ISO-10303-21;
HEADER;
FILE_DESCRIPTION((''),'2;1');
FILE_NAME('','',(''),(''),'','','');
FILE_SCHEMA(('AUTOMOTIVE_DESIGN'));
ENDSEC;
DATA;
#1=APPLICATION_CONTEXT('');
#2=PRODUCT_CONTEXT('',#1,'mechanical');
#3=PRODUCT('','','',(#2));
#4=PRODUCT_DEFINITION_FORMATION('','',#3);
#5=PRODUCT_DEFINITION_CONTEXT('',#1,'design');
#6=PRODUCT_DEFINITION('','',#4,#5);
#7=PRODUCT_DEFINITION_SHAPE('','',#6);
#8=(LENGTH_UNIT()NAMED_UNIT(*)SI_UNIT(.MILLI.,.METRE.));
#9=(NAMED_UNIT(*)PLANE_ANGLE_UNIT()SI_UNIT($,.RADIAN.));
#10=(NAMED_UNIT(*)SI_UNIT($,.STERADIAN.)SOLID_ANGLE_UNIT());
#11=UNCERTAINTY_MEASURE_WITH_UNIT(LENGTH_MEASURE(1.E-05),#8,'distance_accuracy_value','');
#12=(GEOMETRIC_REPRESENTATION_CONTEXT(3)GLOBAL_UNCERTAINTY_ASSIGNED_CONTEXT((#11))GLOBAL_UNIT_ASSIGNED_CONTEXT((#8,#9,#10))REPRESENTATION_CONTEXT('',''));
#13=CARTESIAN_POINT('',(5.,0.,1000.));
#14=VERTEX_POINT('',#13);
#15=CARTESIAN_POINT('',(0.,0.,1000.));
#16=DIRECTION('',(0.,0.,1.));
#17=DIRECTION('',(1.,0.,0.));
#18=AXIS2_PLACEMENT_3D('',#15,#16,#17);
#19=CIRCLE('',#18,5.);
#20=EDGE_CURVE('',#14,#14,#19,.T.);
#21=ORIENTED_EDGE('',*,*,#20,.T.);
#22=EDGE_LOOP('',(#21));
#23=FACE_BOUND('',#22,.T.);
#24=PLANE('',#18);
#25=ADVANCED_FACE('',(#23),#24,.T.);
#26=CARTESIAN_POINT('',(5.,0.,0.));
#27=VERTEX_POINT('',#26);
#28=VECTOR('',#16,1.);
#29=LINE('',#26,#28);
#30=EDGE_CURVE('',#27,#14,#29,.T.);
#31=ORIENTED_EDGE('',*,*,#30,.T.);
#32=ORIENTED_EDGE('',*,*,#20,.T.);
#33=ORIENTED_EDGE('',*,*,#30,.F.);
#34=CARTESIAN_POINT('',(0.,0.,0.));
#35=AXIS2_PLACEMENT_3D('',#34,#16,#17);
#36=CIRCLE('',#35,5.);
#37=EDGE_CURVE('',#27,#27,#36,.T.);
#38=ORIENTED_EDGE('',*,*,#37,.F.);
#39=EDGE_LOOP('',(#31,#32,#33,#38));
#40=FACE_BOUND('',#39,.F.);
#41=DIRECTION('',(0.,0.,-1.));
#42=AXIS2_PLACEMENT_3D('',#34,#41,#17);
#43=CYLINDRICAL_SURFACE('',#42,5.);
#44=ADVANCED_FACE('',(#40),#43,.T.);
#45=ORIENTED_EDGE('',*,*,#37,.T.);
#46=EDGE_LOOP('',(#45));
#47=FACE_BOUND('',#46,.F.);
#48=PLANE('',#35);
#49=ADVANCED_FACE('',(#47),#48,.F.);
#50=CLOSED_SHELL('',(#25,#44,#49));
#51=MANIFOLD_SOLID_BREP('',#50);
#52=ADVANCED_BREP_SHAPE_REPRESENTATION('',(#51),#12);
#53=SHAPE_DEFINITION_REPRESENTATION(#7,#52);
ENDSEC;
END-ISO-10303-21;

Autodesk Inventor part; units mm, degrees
ref_plane "YZ Plane" through (0, 0, 0) normal (1, 0, 0) x (0, 1, 0)
ref_plane "XZ Plane" through (0, 0, 0) normal (0, 1, 0) x (-1, 0, 0)
ref_plane "XY Plane" through (0, 0, 0) normal (0, 0, 1) x (1, 0, 0)
sketch "Szkic1" plane through (0, 0, 0) normal (0, 0, 1) x (1, 0, 0)
  circle A0 centre (0, 0) radius 5
  dimension "d0" = 10
extrude "Wyciągnięcie proste1" add sketch "Szkic1" along normal blind 1000
thread "Gwint1" size "TR10x2" class "7e" standard "ISO Metric Trapezoidal Threads" full length
properties part number "Śruba trapezowa fi10mm"
